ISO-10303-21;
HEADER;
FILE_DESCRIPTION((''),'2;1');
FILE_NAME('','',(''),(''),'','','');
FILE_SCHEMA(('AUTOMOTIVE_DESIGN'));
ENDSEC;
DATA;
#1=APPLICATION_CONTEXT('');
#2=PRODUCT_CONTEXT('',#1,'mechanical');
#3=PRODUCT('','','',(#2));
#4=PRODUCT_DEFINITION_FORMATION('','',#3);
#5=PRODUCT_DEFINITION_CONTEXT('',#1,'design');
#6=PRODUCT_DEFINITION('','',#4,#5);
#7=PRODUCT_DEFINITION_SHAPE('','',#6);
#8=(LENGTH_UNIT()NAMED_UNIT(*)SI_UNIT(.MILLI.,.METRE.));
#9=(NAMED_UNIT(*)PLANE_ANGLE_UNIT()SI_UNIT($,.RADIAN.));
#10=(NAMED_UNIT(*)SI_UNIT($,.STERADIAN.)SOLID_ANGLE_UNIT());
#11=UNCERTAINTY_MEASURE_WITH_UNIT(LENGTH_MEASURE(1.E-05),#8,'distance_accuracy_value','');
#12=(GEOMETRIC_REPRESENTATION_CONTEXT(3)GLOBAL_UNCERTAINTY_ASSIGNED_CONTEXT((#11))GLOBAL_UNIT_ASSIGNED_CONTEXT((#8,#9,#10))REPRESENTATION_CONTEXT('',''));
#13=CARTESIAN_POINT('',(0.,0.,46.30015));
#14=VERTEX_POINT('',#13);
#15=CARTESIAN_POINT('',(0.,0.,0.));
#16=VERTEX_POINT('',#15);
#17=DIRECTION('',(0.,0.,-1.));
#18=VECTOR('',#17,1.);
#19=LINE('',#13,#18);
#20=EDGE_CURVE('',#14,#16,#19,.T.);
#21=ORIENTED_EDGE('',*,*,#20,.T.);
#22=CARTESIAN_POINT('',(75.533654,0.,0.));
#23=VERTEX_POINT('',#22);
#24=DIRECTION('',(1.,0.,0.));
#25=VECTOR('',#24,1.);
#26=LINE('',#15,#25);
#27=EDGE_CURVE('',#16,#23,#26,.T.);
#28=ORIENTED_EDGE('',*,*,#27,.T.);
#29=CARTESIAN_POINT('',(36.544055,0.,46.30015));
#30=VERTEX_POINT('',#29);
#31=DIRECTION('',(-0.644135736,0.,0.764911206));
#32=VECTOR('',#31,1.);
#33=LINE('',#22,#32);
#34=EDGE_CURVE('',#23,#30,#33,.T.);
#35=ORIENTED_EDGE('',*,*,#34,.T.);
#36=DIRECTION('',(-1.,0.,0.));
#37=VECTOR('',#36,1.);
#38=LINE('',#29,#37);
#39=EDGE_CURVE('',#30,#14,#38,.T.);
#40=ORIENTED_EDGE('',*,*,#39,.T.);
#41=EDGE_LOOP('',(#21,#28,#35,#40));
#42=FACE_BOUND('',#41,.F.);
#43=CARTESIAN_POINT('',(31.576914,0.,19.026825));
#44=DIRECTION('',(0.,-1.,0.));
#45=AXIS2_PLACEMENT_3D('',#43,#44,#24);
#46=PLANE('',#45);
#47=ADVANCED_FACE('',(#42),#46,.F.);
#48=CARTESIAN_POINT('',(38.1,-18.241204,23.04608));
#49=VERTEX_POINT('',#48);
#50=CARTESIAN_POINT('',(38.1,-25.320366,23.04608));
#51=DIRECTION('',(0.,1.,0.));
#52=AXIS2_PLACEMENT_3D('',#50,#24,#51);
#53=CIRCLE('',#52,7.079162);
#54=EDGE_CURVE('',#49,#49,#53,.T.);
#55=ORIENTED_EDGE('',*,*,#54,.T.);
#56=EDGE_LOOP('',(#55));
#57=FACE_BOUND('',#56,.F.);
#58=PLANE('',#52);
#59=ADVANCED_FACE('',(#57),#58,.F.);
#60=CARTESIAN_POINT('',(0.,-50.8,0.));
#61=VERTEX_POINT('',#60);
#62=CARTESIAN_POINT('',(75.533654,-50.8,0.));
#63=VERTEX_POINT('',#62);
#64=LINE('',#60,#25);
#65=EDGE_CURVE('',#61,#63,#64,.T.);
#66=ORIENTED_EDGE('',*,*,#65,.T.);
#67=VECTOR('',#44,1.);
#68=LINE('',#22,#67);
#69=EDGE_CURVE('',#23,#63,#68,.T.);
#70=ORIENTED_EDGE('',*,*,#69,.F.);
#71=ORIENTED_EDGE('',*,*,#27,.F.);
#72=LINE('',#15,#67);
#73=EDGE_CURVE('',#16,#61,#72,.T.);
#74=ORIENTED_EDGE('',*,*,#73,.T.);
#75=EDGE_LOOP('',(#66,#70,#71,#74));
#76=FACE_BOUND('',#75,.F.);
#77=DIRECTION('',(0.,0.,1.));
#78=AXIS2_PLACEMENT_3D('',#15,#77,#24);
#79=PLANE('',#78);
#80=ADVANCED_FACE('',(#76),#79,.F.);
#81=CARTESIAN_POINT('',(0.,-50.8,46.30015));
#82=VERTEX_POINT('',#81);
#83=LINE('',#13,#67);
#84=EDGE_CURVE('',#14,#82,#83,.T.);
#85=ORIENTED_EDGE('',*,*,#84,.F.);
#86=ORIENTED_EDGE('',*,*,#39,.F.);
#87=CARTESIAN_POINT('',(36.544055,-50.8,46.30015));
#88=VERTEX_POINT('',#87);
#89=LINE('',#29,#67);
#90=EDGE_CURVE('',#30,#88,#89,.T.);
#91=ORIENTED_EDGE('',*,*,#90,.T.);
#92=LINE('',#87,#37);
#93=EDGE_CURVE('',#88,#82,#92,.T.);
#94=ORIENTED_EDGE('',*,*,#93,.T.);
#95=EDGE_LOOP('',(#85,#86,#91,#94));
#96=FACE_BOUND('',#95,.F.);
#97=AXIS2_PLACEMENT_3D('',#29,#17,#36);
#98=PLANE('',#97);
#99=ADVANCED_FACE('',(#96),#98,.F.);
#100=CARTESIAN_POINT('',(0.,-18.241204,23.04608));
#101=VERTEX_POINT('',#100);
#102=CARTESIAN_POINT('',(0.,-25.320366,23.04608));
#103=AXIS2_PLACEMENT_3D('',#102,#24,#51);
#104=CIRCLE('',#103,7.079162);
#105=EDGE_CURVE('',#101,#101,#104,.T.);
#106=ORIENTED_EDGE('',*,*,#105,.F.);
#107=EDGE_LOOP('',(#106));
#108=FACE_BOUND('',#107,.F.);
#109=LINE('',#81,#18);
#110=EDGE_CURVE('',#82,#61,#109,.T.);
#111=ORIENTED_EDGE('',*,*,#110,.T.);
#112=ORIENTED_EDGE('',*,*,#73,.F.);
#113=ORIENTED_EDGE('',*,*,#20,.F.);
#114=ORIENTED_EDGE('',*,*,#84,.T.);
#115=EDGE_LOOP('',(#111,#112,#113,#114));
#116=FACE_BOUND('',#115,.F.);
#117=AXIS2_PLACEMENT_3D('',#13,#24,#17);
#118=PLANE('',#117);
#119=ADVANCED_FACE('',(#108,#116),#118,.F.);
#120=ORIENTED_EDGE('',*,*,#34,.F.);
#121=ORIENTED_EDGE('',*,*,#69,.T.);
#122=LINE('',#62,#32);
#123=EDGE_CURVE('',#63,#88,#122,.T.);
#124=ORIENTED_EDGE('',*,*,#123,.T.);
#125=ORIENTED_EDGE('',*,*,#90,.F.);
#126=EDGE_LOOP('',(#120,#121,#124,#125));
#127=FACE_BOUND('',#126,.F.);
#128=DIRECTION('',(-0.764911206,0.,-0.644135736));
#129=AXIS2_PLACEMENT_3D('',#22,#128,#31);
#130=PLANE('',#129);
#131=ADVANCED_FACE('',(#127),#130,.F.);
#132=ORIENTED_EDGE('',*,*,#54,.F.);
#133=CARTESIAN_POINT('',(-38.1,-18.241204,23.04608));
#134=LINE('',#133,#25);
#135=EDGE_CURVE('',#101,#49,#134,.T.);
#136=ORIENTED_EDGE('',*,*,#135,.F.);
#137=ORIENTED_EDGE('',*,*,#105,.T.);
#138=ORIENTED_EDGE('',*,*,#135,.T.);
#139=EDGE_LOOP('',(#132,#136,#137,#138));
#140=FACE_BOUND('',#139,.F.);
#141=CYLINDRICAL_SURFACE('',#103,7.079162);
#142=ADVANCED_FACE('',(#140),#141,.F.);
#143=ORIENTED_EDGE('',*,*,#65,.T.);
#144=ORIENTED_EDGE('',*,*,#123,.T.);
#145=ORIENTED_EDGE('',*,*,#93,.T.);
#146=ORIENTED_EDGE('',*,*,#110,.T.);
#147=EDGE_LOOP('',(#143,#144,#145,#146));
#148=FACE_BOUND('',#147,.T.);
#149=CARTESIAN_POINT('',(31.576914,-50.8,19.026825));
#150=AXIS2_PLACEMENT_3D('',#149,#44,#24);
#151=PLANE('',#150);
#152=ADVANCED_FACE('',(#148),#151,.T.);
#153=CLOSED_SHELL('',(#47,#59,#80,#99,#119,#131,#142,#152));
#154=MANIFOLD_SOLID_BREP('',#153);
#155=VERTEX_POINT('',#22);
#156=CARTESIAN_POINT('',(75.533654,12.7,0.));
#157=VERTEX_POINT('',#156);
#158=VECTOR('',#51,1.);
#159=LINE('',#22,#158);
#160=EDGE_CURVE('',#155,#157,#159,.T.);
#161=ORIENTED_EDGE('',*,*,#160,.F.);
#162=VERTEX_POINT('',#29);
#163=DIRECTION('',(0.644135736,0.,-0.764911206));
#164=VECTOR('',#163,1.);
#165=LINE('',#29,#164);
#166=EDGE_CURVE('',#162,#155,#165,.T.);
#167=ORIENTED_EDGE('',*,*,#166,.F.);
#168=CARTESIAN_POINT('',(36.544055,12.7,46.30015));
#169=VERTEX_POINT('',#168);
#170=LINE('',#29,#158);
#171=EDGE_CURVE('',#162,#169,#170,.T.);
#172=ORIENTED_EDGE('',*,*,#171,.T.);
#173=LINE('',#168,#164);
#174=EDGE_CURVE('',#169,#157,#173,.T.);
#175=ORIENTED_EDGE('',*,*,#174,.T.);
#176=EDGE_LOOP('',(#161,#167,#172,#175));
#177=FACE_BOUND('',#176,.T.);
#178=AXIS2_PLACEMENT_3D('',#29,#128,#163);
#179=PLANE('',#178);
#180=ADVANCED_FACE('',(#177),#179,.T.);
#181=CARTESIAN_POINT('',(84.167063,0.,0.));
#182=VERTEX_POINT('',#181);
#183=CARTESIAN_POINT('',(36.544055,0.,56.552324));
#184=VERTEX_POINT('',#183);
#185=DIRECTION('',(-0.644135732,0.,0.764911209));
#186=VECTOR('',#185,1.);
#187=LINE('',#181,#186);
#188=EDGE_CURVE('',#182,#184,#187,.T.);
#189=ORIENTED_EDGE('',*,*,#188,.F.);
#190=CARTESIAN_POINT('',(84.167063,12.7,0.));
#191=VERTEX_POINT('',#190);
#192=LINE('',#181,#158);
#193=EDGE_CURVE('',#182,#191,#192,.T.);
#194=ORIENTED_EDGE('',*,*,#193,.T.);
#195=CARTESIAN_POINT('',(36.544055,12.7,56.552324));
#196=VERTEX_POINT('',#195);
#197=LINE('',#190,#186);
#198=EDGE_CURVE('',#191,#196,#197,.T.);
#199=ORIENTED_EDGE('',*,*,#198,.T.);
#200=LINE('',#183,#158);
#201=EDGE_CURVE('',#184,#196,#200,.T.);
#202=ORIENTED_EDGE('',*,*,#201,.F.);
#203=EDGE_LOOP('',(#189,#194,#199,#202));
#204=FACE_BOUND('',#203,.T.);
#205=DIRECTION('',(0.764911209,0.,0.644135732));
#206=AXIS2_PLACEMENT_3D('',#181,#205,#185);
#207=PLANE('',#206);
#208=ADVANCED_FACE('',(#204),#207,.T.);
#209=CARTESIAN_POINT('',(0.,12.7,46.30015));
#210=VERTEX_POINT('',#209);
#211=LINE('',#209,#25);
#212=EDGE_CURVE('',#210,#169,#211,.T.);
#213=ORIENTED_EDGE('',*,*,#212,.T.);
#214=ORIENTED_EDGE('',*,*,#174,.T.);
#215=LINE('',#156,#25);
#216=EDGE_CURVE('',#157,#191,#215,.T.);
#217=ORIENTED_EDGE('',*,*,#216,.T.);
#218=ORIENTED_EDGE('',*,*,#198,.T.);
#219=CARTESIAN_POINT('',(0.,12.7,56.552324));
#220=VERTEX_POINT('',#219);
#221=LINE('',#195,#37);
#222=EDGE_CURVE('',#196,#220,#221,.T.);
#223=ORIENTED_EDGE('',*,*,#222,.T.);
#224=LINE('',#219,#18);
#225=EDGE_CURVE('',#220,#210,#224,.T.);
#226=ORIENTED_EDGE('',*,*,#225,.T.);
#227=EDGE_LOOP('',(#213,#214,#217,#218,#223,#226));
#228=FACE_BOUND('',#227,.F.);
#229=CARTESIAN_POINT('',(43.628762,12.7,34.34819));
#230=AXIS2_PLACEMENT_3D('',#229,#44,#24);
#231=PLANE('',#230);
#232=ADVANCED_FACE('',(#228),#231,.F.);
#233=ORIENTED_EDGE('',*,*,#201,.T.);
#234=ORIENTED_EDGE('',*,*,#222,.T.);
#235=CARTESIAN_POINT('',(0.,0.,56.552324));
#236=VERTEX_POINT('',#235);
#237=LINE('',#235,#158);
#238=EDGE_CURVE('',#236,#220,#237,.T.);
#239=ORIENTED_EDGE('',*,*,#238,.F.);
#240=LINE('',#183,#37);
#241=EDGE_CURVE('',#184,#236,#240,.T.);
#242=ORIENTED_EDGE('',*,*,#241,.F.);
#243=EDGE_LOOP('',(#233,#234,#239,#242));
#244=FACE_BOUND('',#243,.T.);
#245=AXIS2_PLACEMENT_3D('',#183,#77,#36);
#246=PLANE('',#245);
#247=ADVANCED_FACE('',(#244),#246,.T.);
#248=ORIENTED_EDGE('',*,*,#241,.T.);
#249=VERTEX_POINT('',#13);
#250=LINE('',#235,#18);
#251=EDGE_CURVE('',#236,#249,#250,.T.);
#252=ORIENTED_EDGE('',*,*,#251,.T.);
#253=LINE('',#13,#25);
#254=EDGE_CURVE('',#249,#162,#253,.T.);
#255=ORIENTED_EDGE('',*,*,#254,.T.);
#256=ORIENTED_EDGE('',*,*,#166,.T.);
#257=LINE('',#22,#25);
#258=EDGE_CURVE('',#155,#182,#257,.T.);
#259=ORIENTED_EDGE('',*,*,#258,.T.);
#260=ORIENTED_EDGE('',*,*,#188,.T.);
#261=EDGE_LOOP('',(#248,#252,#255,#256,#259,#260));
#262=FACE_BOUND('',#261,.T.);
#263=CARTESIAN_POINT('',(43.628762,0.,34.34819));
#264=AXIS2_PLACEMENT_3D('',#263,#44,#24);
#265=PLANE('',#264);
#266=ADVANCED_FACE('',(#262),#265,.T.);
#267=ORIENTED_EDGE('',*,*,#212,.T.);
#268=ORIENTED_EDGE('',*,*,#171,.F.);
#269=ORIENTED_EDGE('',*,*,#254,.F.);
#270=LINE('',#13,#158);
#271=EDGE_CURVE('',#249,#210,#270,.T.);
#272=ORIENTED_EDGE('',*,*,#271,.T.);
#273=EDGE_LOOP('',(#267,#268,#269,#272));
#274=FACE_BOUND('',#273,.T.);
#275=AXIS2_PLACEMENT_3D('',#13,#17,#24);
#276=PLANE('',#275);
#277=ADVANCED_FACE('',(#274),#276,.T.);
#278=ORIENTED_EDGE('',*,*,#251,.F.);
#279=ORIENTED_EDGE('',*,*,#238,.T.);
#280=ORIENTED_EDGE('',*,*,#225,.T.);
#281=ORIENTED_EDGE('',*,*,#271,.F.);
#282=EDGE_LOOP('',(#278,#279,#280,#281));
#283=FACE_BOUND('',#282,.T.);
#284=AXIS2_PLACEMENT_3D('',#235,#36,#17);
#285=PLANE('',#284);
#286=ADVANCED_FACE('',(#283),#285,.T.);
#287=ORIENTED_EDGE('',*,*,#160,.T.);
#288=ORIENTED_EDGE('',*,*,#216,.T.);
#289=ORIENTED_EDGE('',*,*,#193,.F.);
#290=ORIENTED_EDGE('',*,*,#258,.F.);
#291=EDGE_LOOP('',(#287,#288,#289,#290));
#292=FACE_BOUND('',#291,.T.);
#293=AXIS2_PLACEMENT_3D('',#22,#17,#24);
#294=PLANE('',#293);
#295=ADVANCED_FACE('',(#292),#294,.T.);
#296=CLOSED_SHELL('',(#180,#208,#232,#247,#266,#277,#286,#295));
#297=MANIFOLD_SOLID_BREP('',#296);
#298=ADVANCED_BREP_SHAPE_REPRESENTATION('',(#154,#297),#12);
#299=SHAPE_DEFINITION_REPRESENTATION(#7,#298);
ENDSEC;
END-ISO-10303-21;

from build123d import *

# Parameters (mm, degrees)
F1_DEPTH = 50.8
F2_DEPTH = 12.7
F3_R     = 7.079162
F4_DEPTH = 38.1


with BuildPart() as f1:
    # F0 (on Front) → F1 (new body)
    with BuildSketch(Plane.XZ):
        Polygon((0, 46.30015), (0, 0), (75.533654, 0), (36.544055, 46.30015), align=None)
    extrude(amount=F1_DEPTH)

    # F3 (on Right) → F4 (cut, symmetric)
    with BuildSketch(Plane.YZ):
        with Locations((-25.320366, 23.04608)):
            Circle(F3_R)
    extrude(amount=F4_DEPTH, both=True, mode=Mode.SUBTRACT)


with BuildPart() as f2:
    # F0 (on Front) → F2 (new body)
    with BuildSketch(Plane.XZ):
        Polygon((0, 56.552324), (0, 46.30015), (36.544055, 46.30015), (75.533654, 0), (84.167063, 0), (36.544055, 56.552324), align=None)
    extrude(amount=-F2_DEPTH)


solid = Compound([f1.part, f2.part])
